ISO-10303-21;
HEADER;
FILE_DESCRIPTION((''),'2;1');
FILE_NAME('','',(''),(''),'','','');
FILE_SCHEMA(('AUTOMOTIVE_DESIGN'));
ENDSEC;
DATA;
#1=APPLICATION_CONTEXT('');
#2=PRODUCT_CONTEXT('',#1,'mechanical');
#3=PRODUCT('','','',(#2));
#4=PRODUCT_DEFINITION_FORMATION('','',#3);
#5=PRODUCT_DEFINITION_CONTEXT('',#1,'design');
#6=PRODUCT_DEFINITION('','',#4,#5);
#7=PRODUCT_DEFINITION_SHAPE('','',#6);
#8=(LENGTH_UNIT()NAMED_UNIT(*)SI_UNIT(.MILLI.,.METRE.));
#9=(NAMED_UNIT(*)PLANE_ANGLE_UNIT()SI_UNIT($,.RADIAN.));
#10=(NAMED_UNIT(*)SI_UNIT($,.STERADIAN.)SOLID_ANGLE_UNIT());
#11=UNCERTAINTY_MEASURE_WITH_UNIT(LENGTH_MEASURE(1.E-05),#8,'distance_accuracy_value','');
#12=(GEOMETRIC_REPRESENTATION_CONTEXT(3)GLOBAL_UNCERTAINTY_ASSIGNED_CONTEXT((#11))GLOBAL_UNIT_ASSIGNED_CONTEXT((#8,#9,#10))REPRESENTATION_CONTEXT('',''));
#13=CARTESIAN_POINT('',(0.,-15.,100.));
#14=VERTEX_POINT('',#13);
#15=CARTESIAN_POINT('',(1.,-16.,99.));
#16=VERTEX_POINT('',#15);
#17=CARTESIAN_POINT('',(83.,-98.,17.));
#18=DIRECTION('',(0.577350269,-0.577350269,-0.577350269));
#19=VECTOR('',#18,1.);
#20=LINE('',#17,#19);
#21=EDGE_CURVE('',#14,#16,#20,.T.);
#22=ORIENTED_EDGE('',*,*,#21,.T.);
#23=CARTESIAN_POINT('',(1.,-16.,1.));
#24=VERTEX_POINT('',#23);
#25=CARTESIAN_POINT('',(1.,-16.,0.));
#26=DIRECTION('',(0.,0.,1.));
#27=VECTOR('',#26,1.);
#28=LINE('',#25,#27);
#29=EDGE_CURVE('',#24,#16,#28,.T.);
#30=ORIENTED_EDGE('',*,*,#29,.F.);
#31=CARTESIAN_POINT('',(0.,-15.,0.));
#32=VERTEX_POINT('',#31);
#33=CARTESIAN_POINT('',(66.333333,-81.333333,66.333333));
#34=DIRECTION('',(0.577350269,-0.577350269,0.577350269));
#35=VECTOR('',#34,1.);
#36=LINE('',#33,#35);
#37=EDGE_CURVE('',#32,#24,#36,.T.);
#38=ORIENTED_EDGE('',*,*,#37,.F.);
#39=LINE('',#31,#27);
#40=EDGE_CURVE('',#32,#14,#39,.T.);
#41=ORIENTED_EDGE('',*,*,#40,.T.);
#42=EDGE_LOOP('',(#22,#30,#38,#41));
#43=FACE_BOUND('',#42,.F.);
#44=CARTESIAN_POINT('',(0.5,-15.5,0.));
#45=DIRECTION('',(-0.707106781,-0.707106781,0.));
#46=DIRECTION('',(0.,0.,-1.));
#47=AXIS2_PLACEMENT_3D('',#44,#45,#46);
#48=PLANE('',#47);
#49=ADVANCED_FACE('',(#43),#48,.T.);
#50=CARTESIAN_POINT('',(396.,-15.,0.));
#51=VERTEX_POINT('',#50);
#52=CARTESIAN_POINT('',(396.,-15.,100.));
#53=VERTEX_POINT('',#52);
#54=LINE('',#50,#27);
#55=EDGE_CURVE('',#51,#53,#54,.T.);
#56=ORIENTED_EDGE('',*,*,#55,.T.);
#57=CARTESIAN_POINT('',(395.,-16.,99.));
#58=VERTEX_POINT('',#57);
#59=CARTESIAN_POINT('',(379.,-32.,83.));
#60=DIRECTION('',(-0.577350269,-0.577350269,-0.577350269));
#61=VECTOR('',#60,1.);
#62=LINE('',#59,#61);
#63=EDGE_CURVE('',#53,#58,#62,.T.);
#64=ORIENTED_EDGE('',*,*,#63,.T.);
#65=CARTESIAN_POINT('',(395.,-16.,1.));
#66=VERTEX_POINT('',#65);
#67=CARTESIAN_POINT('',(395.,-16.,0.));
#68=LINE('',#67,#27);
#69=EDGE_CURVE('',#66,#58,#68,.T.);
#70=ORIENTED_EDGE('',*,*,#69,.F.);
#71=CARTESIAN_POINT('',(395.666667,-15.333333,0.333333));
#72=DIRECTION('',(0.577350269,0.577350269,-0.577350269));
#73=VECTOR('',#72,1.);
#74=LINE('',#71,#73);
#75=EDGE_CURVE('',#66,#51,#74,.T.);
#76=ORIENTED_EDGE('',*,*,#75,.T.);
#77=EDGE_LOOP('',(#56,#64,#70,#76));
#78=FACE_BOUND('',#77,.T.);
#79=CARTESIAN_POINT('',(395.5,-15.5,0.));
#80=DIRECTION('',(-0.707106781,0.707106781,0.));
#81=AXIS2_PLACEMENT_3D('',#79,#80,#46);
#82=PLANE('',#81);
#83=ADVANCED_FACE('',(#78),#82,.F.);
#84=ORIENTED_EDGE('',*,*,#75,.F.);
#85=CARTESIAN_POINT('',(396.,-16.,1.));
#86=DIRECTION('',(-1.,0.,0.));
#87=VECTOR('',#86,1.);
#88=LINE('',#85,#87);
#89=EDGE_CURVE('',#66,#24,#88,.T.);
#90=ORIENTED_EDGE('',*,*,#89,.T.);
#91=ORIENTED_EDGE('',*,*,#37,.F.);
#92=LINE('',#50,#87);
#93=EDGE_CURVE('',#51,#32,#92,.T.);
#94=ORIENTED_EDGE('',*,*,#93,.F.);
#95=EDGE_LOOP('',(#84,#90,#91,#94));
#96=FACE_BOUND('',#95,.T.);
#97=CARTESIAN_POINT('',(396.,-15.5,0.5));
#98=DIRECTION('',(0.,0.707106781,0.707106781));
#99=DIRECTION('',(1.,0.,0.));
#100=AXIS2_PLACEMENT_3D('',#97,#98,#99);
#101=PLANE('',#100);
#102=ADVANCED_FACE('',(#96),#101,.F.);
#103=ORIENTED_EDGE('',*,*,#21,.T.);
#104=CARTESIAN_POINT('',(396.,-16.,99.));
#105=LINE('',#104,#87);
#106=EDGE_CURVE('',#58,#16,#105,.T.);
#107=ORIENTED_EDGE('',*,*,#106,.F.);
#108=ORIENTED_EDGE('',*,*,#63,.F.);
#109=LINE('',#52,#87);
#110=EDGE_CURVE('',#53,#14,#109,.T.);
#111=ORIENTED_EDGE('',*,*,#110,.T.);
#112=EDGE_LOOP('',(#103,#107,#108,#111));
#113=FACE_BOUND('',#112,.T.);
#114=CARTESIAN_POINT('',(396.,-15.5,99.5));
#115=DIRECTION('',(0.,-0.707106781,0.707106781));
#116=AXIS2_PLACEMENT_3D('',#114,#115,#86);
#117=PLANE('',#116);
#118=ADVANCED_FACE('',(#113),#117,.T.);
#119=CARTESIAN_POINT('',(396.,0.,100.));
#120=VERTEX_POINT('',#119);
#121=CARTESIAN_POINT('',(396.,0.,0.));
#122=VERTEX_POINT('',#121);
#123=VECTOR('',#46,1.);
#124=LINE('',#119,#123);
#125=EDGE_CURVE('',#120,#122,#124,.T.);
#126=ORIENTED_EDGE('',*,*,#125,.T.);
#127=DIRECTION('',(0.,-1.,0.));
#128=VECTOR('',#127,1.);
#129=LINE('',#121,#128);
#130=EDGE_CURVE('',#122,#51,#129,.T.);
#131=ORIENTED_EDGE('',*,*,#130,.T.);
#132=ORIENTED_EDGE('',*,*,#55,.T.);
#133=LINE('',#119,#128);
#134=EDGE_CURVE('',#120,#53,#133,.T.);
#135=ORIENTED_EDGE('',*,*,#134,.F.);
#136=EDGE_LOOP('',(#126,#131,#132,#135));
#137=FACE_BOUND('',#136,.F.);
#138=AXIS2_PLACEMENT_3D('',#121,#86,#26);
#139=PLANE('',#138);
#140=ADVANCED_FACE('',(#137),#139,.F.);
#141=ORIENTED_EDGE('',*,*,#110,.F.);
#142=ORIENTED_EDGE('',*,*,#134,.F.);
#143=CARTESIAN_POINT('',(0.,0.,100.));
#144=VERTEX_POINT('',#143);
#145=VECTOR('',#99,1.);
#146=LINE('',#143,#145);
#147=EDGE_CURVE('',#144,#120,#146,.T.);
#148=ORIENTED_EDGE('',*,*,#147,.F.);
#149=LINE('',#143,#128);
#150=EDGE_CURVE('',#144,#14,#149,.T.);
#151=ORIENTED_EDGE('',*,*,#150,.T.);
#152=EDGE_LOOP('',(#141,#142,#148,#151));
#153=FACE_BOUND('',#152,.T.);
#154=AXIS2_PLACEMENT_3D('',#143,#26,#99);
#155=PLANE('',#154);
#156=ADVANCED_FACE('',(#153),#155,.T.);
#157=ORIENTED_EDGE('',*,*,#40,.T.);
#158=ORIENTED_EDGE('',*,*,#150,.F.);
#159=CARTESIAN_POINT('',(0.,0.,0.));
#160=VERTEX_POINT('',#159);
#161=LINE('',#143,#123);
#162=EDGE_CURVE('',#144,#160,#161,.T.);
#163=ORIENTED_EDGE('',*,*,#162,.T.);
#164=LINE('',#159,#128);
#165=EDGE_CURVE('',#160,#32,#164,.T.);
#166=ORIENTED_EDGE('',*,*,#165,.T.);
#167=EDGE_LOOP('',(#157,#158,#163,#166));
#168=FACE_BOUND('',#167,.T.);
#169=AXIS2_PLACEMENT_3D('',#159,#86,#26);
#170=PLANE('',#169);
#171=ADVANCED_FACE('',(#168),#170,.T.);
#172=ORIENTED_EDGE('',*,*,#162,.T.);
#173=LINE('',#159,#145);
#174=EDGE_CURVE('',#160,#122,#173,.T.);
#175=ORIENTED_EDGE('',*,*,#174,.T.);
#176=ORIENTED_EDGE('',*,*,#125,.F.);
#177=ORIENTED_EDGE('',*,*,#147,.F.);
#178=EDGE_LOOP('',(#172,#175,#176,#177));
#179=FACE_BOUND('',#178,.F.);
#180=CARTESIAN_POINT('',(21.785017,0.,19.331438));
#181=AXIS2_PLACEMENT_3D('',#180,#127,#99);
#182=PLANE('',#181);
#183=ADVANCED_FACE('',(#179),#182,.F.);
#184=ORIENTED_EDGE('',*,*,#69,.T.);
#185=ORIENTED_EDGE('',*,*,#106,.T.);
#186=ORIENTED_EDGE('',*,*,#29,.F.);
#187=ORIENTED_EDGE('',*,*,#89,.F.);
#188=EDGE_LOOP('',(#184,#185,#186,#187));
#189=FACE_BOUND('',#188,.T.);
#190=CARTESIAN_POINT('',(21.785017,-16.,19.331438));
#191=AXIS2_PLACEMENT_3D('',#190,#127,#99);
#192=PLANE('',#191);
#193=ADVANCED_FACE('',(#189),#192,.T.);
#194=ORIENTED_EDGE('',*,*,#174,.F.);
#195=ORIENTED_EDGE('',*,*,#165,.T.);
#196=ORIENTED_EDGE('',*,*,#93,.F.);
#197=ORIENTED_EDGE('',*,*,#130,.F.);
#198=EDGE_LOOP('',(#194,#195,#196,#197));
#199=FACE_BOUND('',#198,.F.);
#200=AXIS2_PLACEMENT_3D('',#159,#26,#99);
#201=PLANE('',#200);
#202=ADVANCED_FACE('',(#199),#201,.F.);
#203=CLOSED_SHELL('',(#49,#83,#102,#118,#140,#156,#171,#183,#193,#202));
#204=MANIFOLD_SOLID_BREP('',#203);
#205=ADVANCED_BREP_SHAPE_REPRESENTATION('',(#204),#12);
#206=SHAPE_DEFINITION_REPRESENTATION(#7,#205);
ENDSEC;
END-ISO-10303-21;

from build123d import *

# Parameters (mm, degrees)
F0_W     = 43.5700342059
F0_H     = 38.6628769338
F1_DEPTH = 16
F2_DEPTH = 396
F3_DEPTH = 100
F4_SIZE  = 1


with BuildPart() as f1:
    # F0 (on Front) → F1 (new body)
    with BuildSketch(Plane.XZ):
        with Locations((21.785017103, 19.3314384669)):
            Rectangle(F0_W, F0_H)
    extrude(amount=F1_DEPTH)

    # F2 (add): a face of the model
    f2_faces = [f1.faces().sort_by_distance(p)[0] for p in [
        (0, -8, 19.3314384669),
    ]]
    extrude(f2_faces, amount=-F2_DEPTH)

    # F3 (add): a face of the model
    f3_faces = [f1.faces().sort_by_distance(p)[0] for p in [
        (198, -8, 0),
    ]]
    extrude(f3_faces, amount=-F3_DEPTH)

    # F4
    f4_edges = [f1.edges().sort_by_distance(p)[0] for p in [
        (0, -16, 50),
        (198, -16, 0),
        (396, -16, 50),
        (198, -16, 100),
    ]]
    chamfer(f4_edges, length=F4_SIZE)


solid = f1.part
